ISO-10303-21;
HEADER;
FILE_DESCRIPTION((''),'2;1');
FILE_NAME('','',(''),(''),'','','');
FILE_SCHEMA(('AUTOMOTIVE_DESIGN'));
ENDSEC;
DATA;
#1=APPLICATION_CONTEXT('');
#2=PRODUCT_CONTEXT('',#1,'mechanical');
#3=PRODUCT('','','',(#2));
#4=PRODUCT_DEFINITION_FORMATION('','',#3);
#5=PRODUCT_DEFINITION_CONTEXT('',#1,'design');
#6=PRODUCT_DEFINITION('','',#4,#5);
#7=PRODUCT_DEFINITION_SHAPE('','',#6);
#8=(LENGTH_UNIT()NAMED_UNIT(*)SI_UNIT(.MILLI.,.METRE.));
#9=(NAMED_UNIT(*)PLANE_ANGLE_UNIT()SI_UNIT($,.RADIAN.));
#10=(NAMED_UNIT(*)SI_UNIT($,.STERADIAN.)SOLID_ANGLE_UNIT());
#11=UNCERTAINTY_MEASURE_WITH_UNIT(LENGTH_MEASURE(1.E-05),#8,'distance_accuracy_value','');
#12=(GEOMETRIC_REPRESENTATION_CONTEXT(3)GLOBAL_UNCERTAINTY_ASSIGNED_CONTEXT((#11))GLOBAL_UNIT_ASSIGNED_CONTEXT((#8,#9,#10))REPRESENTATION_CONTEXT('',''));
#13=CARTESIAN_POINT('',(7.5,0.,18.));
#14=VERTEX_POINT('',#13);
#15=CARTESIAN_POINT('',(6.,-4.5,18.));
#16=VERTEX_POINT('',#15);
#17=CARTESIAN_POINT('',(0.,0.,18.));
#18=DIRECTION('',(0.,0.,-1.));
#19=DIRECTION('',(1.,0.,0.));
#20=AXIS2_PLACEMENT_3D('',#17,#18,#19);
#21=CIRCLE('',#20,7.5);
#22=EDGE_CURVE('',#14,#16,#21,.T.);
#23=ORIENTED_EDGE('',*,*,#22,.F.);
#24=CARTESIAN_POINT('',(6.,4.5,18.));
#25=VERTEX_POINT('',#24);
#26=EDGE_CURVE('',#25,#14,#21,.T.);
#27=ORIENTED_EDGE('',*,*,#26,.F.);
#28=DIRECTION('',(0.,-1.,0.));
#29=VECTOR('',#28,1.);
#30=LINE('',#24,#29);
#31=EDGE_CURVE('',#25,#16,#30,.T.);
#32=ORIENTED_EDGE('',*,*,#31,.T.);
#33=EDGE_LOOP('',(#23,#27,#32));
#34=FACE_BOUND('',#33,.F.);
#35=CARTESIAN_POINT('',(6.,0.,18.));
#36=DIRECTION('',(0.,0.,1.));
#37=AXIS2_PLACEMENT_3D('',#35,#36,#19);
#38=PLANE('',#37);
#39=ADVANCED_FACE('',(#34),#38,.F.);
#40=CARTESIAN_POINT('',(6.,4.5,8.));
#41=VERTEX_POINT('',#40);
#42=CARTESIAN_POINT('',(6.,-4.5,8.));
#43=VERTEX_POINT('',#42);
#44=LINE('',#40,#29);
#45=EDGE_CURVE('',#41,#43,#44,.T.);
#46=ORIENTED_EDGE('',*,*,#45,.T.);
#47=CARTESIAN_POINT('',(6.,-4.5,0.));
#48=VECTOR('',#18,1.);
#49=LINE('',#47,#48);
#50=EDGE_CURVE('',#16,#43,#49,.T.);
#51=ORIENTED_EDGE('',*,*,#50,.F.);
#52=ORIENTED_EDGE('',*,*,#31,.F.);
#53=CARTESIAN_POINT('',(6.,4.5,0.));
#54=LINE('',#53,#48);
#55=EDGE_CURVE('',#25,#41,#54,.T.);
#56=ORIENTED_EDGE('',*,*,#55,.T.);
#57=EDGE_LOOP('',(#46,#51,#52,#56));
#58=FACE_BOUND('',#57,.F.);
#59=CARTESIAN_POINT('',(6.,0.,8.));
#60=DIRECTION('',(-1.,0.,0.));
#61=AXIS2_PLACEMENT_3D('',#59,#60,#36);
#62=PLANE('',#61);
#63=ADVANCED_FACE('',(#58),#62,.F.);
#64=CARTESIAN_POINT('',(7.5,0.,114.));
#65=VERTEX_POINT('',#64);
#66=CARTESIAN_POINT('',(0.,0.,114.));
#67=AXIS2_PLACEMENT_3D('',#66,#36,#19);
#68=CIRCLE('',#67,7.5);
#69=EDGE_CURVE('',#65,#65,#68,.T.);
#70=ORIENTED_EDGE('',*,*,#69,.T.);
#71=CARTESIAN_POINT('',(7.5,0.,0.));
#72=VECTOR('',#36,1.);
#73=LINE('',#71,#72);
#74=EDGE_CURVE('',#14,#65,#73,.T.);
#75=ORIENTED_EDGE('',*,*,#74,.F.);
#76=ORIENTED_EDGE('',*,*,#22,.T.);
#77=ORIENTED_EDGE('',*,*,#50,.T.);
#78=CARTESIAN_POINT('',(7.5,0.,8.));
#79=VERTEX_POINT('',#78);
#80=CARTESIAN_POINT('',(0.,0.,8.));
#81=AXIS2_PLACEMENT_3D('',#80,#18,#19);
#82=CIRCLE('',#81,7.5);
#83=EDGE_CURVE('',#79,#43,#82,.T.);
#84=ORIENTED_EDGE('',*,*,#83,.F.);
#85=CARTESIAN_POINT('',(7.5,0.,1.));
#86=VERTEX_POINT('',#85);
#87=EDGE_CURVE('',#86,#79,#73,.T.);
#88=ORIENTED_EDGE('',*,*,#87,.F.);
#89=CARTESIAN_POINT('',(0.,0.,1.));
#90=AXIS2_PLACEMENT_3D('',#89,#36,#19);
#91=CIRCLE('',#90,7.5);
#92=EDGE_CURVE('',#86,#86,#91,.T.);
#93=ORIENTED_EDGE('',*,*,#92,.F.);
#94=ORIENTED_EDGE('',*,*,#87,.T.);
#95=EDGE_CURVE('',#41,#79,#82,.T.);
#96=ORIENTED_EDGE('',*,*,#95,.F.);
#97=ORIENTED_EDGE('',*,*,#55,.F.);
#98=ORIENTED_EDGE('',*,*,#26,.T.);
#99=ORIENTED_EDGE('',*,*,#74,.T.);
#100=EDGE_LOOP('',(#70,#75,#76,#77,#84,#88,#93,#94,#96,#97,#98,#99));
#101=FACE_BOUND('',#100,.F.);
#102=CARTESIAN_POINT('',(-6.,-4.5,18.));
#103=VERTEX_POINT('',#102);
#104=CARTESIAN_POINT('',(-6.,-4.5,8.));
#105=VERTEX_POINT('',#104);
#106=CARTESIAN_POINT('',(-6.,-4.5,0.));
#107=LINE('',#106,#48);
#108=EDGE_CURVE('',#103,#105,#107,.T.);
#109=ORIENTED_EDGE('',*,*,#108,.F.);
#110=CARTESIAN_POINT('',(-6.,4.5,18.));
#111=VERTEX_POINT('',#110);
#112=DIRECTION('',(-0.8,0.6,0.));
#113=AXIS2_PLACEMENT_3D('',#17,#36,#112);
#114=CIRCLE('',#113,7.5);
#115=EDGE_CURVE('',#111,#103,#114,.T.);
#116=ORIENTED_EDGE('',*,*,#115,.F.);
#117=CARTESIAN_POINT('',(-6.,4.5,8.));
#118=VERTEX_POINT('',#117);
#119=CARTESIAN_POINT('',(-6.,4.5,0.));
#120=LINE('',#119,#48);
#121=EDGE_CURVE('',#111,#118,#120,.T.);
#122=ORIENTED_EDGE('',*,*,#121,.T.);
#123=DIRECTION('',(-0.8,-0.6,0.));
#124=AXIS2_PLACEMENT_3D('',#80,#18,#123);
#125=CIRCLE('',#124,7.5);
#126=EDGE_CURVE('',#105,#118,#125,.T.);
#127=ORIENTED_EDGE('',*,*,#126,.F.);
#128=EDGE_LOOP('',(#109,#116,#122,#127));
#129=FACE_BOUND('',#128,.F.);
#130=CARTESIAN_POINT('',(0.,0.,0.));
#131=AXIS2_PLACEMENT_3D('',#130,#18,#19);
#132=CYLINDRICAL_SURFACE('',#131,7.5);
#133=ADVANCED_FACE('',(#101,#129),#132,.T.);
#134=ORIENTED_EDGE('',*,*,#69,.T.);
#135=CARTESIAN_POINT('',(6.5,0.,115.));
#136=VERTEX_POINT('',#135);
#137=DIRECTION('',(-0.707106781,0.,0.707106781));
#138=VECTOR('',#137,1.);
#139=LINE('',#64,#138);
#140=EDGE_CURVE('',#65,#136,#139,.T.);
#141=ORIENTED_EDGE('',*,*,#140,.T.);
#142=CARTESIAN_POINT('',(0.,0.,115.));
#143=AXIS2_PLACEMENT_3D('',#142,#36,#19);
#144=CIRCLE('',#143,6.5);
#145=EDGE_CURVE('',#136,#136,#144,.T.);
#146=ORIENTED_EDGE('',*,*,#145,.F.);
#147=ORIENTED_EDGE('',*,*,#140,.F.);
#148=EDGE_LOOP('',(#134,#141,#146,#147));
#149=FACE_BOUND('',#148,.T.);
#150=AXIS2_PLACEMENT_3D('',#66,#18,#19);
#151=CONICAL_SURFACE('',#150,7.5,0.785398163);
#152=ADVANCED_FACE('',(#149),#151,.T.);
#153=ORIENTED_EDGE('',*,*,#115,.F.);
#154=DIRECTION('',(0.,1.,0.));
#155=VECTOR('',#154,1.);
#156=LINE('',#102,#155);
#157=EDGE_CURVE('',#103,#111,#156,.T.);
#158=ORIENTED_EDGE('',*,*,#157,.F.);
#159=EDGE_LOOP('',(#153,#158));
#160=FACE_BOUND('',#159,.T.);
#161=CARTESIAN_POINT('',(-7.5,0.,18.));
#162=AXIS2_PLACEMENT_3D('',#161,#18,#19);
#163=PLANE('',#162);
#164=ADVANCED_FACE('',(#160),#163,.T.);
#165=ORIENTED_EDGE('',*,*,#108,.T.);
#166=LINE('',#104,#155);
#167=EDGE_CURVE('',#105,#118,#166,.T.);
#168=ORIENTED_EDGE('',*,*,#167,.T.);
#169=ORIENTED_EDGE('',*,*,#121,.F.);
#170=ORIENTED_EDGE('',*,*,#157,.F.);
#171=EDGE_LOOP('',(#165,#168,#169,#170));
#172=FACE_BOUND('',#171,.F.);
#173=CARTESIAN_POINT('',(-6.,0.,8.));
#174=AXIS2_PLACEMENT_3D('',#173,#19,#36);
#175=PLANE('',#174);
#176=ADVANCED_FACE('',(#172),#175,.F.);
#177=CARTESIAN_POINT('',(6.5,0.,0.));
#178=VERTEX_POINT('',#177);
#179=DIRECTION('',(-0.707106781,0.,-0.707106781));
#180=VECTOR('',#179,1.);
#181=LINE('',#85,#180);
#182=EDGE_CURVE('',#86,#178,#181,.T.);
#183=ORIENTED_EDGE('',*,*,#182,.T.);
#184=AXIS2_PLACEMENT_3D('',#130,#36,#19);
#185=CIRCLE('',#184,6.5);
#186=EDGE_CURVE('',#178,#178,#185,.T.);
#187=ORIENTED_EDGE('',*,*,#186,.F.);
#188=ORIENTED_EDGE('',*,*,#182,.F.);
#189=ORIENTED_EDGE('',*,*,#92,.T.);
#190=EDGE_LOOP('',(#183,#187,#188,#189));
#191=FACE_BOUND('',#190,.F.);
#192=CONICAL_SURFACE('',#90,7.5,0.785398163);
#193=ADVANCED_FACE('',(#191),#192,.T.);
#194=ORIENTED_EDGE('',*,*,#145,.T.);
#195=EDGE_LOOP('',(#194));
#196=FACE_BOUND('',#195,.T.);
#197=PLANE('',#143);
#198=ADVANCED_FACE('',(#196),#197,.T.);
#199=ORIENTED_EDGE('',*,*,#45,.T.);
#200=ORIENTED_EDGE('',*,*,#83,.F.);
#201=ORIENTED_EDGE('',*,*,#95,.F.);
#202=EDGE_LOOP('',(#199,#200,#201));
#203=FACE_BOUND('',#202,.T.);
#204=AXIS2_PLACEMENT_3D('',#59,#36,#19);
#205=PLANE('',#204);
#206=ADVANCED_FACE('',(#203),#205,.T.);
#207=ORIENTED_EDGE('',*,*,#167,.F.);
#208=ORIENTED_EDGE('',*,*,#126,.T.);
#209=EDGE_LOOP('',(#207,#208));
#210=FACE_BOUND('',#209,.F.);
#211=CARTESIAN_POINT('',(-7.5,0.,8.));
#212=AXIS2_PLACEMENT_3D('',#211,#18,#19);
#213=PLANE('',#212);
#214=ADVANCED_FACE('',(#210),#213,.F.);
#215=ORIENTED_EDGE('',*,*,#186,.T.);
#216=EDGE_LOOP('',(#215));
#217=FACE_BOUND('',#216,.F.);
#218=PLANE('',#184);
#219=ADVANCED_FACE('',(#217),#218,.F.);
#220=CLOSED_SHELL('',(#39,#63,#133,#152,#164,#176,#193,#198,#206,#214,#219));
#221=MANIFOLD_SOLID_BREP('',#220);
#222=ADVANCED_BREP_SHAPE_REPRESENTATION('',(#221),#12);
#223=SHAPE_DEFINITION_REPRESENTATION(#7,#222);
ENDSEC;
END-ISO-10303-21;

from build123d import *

# Parameters (mm, degrees)
F0_R          = 7.5
F1_DEPTH      = 115
F2_SIZE2      = 1
F2_SIZE       = 1
F3_W          = 1.5
F3_H          = 10
F4_DEPTH      = 7.501
F4_DEPTH_BACK = 7.501


with BuildPart() as f1:
    # F0 (on Top) → F1 (new body)
    with BuildSketch(Plane.XY):
        Circle(F0_R)
    extrude(amount=F1_DEPTH)

    # F2
    f2_edges = [f1.edges().sort_by_distance(p)[0] for p in [
        (-7.5, 0, 115),
        (-7.5, 0, 0),
    ]]
    chamfer(f2_edges, length=F2_SIZE, length2=F2_SIZE2)

    # F3 (on Front) → F4 (cut, two sides)
    with BuildSketch(Plane.XZ) as f4_sk:
        with Locations((6.75, 13)):
            Rectangle(F3_W, F3_H)
        with Locations((-6.75, 13)):
            Rectangle(F3_W, F3_H)
    extrude(amount=F4_DEPTH, mode=Mode.SUBTRACT)
    extrude(f4_sk.sketch, amount=-F4_DEPTH_BACK, mode=Mode.SUBTRACT)


solid = f1.part
